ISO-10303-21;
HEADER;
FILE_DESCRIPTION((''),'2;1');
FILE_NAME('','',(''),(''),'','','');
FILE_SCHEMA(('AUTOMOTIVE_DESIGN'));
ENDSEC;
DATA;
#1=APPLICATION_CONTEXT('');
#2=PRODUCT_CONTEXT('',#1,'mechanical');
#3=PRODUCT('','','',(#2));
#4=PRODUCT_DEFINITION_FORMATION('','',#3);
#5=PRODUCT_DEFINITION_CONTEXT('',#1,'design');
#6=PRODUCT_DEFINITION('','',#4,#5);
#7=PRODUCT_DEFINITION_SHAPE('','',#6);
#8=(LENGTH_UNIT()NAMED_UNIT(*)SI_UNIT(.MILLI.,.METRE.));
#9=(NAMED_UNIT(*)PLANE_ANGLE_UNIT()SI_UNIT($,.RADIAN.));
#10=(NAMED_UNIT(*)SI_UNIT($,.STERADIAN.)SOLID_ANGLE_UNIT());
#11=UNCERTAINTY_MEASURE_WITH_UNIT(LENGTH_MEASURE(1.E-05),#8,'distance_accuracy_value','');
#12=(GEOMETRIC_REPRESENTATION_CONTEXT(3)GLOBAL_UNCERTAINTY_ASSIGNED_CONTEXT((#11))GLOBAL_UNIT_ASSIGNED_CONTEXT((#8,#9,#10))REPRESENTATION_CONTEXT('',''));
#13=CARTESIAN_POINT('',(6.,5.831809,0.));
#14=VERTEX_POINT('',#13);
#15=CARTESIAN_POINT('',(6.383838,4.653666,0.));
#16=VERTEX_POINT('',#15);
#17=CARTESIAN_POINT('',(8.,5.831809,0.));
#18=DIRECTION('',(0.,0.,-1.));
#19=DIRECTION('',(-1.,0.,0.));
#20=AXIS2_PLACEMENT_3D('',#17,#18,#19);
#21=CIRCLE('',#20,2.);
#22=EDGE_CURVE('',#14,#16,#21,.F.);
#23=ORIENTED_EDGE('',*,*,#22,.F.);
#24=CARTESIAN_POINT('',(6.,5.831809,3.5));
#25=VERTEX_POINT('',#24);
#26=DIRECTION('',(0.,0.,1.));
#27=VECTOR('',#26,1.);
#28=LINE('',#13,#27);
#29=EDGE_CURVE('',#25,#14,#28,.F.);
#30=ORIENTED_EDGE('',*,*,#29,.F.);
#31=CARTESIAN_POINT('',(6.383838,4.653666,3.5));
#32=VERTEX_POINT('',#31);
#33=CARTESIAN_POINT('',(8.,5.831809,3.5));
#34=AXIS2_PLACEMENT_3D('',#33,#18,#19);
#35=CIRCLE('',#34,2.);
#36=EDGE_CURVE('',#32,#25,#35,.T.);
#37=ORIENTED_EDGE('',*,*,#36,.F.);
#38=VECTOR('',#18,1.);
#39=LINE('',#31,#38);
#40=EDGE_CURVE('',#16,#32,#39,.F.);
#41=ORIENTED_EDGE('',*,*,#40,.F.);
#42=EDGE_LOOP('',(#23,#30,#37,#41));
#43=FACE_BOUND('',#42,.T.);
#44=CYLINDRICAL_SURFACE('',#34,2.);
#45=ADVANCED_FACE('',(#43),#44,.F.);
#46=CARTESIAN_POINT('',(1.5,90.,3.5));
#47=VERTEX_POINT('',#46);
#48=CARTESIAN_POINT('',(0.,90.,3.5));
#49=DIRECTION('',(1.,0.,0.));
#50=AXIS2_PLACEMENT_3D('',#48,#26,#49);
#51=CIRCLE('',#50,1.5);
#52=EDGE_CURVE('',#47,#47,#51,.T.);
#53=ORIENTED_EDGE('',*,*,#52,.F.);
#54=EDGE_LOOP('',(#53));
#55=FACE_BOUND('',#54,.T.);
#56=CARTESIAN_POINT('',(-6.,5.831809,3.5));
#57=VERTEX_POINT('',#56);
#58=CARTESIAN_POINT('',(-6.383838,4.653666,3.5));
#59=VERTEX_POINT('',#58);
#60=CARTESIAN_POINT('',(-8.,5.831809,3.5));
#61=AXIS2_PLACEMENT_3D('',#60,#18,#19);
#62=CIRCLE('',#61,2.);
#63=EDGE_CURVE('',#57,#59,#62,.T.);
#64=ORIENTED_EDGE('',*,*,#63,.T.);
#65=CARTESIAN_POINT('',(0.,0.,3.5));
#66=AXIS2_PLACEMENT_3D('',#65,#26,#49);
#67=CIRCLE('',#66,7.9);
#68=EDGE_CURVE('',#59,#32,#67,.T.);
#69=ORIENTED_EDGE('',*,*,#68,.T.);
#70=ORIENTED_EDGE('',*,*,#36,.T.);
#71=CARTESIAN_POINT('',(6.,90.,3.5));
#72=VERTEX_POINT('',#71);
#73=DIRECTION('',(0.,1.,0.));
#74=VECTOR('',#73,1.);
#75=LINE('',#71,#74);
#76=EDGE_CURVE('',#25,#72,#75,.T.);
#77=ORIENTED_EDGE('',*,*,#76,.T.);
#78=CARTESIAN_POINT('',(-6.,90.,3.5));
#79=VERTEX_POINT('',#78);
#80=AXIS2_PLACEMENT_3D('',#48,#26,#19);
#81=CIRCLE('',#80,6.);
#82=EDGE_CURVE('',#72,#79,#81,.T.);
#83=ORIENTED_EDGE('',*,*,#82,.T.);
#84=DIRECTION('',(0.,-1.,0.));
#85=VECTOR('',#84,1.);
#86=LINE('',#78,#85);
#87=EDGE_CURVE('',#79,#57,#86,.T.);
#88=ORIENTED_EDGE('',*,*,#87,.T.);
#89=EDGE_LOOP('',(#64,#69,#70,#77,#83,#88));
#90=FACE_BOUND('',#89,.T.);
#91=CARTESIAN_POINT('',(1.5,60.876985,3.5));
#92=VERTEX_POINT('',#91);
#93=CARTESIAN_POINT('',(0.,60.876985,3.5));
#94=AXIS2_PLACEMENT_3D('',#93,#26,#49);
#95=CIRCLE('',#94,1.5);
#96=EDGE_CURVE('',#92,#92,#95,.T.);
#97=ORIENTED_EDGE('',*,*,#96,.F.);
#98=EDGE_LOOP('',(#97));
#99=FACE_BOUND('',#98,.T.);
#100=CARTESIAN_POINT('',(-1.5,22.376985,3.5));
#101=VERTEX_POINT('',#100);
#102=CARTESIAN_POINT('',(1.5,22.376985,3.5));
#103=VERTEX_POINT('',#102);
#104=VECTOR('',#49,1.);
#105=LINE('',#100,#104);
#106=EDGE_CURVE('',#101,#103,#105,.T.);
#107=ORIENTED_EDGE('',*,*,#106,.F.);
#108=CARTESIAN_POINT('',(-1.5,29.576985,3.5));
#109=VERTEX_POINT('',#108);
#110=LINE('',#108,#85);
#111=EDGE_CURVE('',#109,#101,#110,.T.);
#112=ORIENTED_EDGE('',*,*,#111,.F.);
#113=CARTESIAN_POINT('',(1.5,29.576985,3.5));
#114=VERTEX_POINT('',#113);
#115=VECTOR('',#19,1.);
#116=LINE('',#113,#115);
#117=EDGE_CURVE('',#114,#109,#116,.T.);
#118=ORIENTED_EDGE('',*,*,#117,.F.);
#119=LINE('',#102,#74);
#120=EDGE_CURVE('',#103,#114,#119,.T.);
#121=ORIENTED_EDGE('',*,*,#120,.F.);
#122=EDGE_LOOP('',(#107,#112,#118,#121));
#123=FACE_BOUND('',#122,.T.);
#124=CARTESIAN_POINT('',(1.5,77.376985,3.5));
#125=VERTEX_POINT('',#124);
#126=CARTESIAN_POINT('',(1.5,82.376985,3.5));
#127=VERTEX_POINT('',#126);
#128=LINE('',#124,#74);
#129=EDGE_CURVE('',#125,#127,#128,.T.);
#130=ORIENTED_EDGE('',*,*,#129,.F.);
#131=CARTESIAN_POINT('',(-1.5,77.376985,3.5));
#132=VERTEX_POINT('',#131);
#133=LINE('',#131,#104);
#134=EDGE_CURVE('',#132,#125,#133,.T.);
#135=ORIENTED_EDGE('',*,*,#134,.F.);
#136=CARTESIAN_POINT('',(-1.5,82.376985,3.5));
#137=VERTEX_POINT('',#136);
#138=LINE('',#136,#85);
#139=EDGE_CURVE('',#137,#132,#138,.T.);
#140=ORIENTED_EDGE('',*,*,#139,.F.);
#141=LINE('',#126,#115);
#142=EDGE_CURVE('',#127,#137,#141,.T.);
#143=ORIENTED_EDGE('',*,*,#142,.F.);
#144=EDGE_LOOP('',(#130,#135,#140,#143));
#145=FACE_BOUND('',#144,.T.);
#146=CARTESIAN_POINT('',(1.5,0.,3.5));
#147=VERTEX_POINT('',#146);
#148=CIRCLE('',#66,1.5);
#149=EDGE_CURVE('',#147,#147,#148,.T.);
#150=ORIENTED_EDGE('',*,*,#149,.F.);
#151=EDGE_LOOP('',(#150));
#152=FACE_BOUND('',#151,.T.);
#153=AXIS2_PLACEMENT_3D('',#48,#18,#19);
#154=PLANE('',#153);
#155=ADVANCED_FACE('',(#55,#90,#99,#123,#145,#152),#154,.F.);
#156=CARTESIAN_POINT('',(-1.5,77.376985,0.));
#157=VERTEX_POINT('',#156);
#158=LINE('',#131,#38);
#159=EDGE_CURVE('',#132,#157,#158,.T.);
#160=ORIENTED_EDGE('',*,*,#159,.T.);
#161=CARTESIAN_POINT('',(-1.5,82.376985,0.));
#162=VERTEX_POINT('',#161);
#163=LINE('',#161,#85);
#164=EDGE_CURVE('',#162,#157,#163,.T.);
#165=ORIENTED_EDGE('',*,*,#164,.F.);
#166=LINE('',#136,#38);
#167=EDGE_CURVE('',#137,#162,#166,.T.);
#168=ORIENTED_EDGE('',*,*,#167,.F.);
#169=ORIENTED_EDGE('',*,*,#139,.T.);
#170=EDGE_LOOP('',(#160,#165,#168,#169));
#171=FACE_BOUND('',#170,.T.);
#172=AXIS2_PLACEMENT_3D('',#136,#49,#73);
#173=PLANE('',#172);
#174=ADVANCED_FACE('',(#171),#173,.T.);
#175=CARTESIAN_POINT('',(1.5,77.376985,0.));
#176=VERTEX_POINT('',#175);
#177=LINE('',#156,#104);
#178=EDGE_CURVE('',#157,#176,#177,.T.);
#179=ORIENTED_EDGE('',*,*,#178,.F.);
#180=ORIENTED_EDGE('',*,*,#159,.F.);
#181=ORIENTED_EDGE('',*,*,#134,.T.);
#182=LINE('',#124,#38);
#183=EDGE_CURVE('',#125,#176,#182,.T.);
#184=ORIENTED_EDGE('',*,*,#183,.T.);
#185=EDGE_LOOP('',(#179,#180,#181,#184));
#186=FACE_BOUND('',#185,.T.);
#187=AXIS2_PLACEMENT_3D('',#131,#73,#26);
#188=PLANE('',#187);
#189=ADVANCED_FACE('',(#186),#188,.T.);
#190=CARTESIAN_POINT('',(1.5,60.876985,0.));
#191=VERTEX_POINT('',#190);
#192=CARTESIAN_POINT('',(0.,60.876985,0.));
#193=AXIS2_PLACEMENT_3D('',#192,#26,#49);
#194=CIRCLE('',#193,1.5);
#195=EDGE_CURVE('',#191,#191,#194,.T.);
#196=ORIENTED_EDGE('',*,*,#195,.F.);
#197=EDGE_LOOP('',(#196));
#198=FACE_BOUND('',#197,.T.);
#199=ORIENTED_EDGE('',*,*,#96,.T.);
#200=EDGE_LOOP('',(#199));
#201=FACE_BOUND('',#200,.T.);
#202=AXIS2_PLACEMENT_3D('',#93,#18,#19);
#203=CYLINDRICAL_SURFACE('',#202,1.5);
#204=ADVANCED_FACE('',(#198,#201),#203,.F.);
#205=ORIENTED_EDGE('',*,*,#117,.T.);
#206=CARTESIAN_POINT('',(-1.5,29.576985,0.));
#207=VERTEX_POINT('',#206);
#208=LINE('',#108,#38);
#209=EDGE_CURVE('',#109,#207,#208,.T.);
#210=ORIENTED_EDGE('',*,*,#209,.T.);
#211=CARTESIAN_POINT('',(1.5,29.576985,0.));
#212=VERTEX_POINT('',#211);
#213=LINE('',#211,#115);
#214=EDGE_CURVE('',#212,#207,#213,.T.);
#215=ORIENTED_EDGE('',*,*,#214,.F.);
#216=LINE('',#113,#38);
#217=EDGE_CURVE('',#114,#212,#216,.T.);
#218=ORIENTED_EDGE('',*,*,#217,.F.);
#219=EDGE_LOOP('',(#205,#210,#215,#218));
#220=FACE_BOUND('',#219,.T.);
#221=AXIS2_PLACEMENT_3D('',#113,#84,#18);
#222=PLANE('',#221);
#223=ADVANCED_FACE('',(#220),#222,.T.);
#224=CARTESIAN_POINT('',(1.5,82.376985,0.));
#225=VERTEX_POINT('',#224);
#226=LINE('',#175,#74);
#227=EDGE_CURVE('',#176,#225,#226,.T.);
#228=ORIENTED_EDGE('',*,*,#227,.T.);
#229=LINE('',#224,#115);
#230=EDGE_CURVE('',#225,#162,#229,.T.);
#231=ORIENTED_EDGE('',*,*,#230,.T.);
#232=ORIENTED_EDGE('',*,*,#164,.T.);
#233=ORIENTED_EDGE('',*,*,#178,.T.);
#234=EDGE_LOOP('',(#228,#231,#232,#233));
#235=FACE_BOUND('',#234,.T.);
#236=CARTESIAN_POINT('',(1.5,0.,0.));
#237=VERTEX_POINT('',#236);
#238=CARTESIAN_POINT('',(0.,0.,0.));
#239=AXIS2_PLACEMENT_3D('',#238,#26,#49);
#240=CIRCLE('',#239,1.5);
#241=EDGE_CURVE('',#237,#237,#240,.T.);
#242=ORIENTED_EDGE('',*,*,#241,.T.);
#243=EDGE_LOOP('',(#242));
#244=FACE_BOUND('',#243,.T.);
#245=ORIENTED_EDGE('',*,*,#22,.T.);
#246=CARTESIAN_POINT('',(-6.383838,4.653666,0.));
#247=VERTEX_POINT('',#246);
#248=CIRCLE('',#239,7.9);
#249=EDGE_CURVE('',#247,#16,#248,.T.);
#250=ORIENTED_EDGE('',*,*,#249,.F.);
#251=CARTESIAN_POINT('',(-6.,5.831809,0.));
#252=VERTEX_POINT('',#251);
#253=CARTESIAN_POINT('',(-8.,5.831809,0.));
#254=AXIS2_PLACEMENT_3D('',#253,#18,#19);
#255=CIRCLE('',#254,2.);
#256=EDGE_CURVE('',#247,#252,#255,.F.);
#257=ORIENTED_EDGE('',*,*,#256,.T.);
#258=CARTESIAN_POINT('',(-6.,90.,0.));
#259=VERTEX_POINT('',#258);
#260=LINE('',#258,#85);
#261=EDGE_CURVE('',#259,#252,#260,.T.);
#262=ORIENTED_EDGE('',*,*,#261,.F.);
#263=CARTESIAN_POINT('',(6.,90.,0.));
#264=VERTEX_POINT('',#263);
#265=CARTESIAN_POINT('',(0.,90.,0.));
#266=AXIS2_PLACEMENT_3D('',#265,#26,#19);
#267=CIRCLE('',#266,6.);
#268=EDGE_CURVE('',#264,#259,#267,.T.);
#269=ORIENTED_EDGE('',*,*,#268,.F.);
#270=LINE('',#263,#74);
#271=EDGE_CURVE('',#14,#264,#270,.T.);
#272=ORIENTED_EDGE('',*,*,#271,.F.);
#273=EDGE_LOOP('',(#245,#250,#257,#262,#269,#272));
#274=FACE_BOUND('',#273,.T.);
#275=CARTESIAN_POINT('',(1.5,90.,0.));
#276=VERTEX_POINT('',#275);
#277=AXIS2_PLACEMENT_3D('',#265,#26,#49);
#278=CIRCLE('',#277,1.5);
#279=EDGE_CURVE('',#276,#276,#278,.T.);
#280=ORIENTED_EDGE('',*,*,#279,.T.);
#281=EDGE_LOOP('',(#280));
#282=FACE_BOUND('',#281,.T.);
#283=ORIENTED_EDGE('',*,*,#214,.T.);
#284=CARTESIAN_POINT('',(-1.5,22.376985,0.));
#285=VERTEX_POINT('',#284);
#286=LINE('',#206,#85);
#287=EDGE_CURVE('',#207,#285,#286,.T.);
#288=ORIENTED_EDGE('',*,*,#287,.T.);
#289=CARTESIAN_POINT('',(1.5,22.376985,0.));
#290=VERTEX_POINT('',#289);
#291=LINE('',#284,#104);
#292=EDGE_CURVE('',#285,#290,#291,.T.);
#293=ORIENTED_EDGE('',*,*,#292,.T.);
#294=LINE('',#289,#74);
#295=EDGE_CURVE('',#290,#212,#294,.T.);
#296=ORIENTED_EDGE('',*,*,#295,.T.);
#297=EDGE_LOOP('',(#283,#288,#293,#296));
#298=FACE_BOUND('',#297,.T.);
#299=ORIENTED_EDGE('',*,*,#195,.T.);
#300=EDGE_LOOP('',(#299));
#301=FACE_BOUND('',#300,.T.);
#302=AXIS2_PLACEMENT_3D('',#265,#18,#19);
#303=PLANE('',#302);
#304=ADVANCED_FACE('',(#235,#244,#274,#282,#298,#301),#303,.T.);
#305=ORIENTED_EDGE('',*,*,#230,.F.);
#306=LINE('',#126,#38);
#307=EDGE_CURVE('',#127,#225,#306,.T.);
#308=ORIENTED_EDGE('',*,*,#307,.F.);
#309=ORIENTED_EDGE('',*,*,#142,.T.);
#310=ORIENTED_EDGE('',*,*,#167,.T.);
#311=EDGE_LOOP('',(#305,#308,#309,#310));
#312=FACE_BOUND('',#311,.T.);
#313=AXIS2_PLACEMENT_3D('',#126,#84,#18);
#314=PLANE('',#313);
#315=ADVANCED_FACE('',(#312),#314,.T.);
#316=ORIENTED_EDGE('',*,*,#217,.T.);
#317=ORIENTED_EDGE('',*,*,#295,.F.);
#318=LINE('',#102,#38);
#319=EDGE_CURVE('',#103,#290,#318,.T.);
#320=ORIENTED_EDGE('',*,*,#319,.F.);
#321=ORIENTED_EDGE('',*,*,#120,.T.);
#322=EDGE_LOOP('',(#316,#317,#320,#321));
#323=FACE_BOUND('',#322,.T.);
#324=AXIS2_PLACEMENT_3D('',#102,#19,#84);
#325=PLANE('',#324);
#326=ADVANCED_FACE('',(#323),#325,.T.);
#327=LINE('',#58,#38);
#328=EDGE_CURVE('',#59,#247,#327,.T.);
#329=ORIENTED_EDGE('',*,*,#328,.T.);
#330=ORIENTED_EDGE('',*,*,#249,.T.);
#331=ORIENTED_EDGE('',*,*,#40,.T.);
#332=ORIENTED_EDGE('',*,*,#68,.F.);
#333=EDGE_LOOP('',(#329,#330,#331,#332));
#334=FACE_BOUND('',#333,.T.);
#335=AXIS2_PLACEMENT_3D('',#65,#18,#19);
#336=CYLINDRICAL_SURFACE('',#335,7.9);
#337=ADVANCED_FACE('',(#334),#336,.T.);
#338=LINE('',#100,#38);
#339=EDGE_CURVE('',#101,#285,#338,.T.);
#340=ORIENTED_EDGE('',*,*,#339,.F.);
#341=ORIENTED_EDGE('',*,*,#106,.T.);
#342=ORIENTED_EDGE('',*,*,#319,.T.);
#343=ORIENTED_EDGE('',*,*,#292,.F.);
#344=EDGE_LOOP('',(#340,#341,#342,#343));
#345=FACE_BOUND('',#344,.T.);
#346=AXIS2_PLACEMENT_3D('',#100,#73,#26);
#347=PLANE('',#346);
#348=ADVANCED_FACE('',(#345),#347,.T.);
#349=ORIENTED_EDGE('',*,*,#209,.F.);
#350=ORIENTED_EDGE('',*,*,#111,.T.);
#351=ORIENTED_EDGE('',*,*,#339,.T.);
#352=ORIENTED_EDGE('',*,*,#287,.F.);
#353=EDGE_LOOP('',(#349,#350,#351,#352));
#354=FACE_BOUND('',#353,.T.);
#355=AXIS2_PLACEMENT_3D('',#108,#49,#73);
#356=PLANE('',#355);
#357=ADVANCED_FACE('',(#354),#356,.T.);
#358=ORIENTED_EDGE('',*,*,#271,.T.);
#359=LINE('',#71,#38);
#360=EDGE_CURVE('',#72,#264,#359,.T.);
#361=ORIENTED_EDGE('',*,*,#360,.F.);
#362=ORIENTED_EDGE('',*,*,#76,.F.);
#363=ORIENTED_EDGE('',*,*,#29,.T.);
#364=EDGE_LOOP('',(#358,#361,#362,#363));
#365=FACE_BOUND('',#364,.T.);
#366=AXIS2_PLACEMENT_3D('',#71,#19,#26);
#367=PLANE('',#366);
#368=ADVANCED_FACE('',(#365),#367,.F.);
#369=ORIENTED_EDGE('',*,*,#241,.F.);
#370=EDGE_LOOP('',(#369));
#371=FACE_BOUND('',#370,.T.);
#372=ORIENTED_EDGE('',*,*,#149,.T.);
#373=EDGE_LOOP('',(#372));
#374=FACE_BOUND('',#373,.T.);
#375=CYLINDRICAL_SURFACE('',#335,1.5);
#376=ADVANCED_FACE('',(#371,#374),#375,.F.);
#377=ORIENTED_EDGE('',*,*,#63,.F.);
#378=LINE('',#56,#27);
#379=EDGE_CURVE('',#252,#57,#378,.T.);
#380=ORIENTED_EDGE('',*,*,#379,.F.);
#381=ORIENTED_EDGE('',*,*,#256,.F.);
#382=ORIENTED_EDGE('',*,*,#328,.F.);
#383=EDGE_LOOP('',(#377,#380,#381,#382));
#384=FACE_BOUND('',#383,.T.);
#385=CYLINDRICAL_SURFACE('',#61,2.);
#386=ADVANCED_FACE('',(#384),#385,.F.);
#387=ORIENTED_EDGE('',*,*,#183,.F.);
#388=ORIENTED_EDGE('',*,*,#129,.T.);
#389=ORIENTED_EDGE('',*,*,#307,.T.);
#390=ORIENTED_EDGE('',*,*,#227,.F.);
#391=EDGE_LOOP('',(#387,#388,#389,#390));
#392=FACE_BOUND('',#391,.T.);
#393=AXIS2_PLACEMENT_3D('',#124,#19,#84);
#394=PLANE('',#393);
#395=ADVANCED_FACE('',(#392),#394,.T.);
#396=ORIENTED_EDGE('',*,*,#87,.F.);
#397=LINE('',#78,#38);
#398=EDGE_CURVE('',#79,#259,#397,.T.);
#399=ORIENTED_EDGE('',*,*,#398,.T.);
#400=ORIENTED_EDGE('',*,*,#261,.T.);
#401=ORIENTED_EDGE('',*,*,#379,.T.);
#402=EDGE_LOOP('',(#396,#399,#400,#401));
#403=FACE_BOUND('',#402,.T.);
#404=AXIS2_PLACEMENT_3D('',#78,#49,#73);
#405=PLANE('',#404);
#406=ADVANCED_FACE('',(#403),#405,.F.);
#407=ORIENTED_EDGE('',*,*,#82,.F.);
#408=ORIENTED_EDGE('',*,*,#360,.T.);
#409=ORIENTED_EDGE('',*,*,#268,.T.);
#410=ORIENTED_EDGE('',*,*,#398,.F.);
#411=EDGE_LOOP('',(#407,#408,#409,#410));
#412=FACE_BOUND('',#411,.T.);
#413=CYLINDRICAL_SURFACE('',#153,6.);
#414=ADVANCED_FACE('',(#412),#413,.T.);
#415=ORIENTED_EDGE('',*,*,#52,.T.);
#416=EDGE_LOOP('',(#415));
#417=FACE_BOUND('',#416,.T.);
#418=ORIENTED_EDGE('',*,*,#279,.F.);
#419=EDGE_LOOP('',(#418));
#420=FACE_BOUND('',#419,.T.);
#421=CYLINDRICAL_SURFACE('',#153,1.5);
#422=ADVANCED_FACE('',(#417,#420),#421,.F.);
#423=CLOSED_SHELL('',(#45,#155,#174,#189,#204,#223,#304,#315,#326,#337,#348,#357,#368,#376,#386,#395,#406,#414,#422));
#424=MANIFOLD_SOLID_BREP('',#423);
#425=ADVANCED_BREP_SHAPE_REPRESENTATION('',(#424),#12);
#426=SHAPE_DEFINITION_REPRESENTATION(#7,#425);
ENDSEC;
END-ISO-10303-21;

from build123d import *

# Parameters (mm, degrees)
SKETCH1_R           = 1.5
SKETCH1_W           = 3
SKETCH1_H           = 7.2
SKETCH1_H_2         = 5
BOSS_EXTRUDE1_DEPTH = 3.5
FILLET1_R           = 2


with BuildPart() as part:
    # Sketch1 → Boss-Extrude1 (new body)
    with BuildSketch(Plane.XY):
        with BuildLine():
            Line((-6, 90), (-6, 5.139066063))
            ThreePointArc((-6, 5.139066063), (0, -7.9), (6, 5.139066063))
            Line((6, 5.139066063), (6, 90))
            ThreePointArc((6, 90), (0, 96), (-6, 90))
        make_face()
        Circle(SKETCH1_R, mode=Mode.SUBTRACT)
        with Locations((0, 60.876985236)):
            Circle(SKETCH1_R, mode=Mode.SUBTRACT)
        with Locations((0, 90)):
            Circle(SKETCH1_R, mode=Mode.SUBTRACT)
        with Locations((0, 25.976985236)):
            Rectangle(SKETCH1_W, SKETCH1_H, mode=Mode.SUBTRACT)
        with Locations((0, 79.876985236)):
            Rectangle(SKETCH1_W, SKETCH1_H_2, mode=Mode.SUBTRACT)
    extrude(amount=BOSS_EXTRUDE1_DEPTH)

    # Fillet1
    fillet1_edges = [part.edges().sort_by_distance(p)[0] for p in [
        (6, 5.139066063, 1.75),
        (-6, 5.139066063, 1.75),
    ]]
    fillet(fillet1_edges, radius=FILLET1_R)


solid = part.part
